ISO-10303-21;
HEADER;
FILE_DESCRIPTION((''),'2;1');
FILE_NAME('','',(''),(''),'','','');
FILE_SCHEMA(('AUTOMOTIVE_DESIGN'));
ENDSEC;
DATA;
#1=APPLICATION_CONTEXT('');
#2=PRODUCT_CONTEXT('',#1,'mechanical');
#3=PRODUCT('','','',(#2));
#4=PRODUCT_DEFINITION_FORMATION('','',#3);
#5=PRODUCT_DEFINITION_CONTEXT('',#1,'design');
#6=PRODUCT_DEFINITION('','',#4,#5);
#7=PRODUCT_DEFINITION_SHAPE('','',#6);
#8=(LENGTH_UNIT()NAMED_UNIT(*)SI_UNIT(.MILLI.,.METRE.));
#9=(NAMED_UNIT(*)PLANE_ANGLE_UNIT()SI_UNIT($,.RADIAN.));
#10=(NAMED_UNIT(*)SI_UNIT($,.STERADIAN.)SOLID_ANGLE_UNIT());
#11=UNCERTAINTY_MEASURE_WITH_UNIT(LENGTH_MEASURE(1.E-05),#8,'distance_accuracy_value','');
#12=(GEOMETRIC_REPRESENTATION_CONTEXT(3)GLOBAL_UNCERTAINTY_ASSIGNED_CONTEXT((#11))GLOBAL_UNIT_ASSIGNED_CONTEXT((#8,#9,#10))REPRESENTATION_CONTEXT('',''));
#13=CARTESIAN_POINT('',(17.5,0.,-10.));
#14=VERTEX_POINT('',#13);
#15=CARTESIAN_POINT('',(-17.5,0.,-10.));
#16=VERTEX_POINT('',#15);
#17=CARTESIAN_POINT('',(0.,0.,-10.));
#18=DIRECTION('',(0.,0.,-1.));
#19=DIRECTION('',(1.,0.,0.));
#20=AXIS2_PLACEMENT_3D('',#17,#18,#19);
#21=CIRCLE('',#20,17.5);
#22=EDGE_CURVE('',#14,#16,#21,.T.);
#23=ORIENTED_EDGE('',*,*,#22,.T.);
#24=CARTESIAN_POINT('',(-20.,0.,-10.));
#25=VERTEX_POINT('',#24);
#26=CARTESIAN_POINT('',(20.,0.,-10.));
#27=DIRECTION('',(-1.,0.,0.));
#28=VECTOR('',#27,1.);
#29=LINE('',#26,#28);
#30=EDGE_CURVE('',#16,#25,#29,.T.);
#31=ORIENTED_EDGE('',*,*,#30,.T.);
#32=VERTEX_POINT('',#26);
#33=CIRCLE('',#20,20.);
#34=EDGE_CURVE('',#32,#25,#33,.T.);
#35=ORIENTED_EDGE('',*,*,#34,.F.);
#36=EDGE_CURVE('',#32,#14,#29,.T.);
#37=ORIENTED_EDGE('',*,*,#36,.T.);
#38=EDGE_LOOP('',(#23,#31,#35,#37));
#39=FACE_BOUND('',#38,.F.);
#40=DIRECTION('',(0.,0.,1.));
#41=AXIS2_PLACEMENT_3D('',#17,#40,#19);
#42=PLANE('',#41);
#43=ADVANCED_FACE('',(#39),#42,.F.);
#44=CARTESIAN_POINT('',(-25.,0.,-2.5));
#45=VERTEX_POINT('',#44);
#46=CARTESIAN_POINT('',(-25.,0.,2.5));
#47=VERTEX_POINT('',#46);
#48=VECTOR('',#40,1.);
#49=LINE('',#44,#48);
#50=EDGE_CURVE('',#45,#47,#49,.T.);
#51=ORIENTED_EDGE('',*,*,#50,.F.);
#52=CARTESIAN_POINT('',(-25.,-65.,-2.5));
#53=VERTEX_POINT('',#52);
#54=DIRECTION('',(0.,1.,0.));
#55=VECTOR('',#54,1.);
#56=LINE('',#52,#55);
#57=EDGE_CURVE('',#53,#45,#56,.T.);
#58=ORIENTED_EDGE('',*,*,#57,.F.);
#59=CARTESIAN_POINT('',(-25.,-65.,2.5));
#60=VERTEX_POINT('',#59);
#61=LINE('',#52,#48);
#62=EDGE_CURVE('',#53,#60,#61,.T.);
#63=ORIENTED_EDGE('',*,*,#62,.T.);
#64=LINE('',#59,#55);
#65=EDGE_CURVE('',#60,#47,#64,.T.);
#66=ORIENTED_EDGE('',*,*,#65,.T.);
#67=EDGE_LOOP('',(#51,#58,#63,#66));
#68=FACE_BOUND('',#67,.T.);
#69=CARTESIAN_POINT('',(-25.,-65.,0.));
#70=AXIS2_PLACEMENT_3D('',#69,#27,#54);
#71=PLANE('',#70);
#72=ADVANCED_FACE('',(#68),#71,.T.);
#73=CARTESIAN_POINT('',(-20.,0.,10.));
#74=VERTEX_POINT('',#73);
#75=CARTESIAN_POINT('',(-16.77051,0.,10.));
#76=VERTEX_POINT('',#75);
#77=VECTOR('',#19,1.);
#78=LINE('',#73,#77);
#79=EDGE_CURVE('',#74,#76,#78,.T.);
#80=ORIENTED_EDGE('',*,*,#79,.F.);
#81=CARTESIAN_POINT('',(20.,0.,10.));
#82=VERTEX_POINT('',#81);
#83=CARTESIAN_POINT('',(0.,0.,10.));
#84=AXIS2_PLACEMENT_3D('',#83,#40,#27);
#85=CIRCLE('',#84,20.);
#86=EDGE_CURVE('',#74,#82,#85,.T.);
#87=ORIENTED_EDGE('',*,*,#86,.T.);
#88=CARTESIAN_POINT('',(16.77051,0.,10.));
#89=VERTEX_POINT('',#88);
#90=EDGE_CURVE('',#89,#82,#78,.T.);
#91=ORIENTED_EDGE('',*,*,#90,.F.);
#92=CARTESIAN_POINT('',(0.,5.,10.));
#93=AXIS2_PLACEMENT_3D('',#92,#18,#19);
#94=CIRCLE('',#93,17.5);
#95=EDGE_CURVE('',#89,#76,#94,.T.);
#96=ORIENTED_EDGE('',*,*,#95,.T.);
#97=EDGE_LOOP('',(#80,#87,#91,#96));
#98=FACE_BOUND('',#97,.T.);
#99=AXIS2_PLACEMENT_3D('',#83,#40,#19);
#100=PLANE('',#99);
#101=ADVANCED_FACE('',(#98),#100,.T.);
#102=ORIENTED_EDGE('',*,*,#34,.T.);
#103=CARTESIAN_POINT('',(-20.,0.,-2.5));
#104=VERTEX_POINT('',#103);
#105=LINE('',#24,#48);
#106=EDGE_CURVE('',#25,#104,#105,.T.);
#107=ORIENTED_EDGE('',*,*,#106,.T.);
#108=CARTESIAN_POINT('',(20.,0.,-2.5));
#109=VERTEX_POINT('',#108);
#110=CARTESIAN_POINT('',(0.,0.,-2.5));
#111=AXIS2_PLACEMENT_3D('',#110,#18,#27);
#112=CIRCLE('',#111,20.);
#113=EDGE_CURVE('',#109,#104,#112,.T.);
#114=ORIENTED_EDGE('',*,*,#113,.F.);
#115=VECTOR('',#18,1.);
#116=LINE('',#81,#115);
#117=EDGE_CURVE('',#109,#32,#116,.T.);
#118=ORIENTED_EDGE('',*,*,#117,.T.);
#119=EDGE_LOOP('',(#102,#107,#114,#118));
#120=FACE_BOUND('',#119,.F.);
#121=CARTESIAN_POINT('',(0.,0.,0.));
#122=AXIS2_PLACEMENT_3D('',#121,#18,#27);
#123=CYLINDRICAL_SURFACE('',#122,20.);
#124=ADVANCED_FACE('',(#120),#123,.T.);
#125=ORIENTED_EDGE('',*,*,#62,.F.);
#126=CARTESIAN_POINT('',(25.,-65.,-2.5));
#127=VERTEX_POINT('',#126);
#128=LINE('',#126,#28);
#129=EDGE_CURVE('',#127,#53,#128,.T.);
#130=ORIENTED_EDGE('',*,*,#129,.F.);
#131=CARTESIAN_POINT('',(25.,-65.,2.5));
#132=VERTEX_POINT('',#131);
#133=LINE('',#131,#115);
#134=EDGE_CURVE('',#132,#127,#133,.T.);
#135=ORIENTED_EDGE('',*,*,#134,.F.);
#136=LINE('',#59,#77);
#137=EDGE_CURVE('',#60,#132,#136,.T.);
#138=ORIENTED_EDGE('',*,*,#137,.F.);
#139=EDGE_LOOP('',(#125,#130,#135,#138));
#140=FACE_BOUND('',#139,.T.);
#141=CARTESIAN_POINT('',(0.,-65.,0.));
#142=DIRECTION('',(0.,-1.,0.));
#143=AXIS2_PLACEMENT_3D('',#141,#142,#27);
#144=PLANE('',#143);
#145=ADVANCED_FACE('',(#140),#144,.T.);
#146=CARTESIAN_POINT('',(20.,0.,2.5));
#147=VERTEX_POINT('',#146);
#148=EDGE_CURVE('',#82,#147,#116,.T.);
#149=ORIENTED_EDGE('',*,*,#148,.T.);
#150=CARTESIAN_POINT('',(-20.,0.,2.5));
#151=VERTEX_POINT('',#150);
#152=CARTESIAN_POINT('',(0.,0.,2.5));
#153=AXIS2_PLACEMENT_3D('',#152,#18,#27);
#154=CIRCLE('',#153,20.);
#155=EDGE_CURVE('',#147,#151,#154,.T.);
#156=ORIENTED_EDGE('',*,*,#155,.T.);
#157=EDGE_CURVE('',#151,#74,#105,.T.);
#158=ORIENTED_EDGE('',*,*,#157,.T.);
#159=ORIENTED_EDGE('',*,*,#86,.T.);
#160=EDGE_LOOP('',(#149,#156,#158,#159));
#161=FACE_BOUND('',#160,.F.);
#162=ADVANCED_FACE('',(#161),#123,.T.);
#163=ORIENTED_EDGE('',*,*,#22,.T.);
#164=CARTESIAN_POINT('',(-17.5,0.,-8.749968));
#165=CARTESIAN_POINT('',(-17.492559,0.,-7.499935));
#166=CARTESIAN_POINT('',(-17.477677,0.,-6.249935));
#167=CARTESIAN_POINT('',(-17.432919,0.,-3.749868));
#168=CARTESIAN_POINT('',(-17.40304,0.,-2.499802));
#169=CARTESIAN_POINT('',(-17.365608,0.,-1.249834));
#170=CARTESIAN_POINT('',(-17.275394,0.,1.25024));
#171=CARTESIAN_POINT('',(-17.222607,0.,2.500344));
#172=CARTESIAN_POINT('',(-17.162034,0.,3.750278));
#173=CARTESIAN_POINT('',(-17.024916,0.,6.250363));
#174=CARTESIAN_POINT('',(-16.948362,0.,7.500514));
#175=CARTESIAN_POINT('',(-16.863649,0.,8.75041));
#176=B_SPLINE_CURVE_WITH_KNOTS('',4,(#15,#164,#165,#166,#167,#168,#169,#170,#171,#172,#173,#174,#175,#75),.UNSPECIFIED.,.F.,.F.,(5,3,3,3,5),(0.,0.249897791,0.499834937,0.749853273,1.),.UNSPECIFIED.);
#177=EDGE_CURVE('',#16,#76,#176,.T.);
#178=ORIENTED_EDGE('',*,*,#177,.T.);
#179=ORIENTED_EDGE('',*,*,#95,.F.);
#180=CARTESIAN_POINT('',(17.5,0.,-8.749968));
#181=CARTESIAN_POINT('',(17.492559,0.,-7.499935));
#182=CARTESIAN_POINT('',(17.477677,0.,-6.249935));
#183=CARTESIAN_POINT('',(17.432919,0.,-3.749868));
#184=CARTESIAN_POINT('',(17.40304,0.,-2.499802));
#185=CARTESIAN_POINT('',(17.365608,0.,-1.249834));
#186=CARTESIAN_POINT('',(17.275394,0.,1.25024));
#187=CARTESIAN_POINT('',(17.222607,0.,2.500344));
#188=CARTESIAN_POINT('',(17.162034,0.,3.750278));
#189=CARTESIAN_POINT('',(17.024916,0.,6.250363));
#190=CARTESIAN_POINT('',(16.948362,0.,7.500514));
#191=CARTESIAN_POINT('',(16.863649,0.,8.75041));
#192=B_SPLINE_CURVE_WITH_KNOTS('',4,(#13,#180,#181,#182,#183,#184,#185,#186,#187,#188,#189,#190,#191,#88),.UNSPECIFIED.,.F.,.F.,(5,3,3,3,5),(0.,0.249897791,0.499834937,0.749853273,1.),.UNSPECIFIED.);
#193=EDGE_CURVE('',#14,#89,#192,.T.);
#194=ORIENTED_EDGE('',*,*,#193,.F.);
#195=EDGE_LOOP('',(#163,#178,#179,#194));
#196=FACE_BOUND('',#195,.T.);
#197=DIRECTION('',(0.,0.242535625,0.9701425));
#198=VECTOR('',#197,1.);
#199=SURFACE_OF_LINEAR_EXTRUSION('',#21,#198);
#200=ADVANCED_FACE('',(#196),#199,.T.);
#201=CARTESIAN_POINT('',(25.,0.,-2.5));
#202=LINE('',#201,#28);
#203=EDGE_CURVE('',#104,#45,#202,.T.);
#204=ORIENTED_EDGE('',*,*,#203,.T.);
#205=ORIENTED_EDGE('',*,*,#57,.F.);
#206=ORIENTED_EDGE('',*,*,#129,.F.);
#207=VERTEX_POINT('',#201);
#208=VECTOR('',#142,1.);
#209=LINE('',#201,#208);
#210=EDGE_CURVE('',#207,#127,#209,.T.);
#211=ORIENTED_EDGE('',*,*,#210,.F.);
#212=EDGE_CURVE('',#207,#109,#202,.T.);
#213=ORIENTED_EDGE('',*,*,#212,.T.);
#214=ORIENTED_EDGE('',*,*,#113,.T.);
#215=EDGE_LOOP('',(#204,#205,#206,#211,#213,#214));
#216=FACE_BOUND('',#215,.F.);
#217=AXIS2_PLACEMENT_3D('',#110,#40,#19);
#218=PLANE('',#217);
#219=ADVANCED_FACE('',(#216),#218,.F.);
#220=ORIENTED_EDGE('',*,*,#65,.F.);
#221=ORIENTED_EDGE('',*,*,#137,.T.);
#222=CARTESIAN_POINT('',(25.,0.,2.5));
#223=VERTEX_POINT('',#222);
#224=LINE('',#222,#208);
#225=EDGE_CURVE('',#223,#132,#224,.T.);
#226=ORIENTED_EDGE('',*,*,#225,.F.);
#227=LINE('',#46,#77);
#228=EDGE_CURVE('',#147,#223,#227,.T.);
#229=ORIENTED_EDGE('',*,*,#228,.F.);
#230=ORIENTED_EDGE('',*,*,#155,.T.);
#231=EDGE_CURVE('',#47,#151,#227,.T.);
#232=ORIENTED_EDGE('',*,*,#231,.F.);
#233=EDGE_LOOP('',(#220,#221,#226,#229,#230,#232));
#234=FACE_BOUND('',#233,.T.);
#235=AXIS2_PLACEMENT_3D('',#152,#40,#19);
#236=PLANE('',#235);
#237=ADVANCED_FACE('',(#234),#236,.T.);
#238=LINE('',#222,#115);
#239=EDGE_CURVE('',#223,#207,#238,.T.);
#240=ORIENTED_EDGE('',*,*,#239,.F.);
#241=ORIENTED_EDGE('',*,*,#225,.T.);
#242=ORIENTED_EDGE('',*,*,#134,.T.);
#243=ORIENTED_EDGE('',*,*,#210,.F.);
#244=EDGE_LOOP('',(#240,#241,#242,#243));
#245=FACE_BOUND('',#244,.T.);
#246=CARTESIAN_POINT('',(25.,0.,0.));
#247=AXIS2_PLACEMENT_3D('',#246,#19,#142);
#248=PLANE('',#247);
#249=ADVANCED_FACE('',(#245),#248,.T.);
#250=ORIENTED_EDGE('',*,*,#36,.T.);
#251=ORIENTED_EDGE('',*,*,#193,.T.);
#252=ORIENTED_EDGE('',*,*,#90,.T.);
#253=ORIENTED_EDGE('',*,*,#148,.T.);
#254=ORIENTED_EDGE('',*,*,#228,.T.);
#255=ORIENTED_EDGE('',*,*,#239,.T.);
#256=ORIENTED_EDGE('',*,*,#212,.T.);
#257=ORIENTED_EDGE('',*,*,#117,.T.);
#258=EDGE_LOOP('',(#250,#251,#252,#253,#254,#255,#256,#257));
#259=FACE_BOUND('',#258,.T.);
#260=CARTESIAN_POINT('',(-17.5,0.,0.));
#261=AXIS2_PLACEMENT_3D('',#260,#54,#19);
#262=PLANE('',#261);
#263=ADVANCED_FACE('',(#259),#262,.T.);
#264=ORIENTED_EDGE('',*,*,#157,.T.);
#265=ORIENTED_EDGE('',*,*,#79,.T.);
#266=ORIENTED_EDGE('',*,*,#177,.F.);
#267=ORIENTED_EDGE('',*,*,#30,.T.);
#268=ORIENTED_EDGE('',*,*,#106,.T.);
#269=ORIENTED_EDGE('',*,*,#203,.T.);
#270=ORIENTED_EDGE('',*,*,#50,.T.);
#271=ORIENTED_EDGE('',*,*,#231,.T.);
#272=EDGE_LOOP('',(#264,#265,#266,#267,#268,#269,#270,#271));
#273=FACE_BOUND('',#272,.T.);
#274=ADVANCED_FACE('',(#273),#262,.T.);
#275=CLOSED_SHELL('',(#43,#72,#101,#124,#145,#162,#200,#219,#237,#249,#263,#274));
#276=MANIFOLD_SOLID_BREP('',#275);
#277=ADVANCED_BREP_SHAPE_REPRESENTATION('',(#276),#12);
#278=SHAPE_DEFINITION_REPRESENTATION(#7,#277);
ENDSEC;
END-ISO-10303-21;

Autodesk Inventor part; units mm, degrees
ref_plane "YZ Plane" through (0, 0, 0) normal (1, 0, 0) x (0, 1, 0)
ref_plane "XZ Plane" through (0, 0, 0) normal (0, 1, 0) x (-1, 0, 0)
ref_plane "XY Plane" through (0, 0, 0) normal (0, 0, 1) x (1, 0, 0)
sketch "草圖1" plane through (0, 0, 0) normal (0, 0, 1) x (1, 0, 0)
  arc A0 (-17.5, 0) -> (17.5, 0) centre (0, 0) ccw
  arc A1 (-20, 0) -> (20, 0) centre (0, 0) ccw
  line L0 (-20, 0) -> (-17.5, 0)
  line L1 (20, 0) -> (17.5, 0)
  line L2 (-35, 0) -> (35, 0) projected
  line L3 (-25, 0) -> (25, 0)
  line L4 (25, -65) -> (-25, -65)
  line L5 (-25, -65) -> (-25, 0)
  line L6 (-25, 0) -> (25, 0)
  line L7 (25, 0) -> (25, -65)
  line L8 (25, -65) -> (-25, 0) construction
  line L9 (-25, -65) -> (25, 0) construction
  line L10 (0, -78) -> (0, 13) projected
  point P0 (17.5, 0)
  point P1 (20, 0)
  point P2 (20, 0)
  point P3 (0, -32.5)
  dimension "d0" = 17.5
  dimension "d16" = 50
  dimension "d17" = 65
  dimension "d22" = 20
extrude "擠出1" add sketch "草圖1" along normal mid plane 20 contours L2 L10 A0 | A0 L10 A1 L0 | L10 L2 A0 | A0 L1 A1 L10
extrude "擠出2" add sketch "草圖1" along normal mid plane 5
sketch "草圖2" plane through (0, 0, 0) normal (1, 0, 0) x (0, 1, 0)
  line L0 (-10, -10) -> (-5, 10)
  line L1 (0, -2.5) -> (0, -10) projected
  line L2 (0, 10) -> (0, 2.5) projected
  line L3 (-20, -10) -> (0, -10) projected
  line L4 (0, 10) -> (-20, 10) projected
  point P0 (0, 0)
  dimension "d18" = 10
  dimension "d19" = 5
sketch "草圖3" plane through (0, 0, -10) normal (0, 0, -1) x (-1, 0, 0)
  arc A0 (-17.5, 0) -> (17.5, 0) centre (0, 0) ccw projected
  line L0 (25, 0) -> (-25, 0) projected
sweep "掃掠1" cut profiles "草圖3" path "草圖2" path curves L0
